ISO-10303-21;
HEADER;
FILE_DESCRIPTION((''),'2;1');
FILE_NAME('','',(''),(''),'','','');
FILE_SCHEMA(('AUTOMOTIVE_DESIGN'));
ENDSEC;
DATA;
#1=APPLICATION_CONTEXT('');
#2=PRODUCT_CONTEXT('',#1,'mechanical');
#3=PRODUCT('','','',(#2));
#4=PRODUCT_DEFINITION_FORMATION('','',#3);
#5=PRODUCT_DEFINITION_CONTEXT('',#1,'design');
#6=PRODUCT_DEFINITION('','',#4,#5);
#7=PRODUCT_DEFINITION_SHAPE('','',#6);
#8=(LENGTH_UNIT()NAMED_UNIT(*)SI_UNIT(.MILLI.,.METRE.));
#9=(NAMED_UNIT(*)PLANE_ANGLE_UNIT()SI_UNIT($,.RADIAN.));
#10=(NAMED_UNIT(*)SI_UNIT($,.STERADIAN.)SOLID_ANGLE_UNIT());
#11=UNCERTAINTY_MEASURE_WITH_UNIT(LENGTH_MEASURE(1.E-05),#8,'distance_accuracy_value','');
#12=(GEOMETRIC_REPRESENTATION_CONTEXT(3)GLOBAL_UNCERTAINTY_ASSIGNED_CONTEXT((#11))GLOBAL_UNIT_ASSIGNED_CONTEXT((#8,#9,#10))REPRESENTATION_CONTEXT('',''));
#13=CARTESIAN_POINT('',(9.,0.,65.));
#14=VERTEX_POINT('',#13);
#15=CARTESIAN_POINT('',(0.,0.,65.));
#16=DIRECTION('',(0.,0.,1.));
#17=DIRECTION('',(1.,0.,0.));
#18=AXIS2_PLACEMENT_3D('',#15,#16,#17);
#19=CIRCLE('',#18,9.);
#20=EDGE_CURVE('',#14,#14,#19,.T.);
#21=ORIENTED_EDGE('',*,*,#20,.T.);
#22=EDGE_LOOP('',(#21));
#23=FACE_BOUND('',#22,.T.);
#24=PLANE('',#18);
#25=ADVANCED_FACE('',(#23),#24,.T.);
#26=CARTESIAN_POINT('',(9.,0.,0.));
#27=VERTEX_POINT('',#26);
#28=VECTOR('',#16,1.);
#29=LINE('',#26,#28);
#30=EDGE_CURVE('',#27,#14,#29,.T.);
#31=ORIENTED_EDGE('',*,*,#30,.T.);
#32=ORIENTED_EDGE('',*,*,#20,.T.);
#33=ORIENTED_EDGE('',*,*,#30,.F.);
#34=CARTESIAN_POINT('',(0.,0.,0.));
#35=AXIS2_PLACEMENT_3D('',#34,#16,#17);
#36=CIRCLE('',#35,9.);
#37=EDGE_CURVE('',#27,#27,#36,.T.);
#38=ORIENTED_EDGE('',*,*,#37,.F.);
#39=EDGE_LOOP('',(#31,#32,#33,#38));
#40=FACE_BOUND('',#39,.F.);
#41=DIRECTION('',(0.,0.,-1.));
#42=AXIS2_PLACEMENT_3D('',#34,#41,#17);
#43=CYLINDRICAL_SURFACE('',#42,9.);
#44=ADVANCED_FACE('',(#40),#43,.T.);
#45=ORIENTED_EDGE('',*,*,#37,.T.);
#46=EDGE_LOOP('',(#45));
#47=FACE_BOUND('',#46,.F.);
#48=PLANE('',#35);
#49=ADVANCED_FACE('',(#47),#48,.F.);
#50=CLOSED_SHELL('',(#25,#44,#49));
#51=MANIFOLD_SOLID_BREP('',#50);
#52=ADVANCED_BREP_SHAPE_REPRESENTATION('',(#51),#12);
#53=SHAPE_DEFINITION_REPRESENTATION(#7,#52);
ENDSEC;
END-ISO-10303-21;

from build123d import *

# Parameters (mm, degrees)
SKETCH_1_R      = 9
EXTRUDE_1_DEPTH = 65


with BuildPart() as part:
    # Эскиз1 → Бобышка-Вытянуть1 (new body)
    with BuildSketch(Plane.XY):
        Circle(SKETCH_1_R)
    extrude(amount=EXTRUDE_1_DEPTH)


solid = part.part
